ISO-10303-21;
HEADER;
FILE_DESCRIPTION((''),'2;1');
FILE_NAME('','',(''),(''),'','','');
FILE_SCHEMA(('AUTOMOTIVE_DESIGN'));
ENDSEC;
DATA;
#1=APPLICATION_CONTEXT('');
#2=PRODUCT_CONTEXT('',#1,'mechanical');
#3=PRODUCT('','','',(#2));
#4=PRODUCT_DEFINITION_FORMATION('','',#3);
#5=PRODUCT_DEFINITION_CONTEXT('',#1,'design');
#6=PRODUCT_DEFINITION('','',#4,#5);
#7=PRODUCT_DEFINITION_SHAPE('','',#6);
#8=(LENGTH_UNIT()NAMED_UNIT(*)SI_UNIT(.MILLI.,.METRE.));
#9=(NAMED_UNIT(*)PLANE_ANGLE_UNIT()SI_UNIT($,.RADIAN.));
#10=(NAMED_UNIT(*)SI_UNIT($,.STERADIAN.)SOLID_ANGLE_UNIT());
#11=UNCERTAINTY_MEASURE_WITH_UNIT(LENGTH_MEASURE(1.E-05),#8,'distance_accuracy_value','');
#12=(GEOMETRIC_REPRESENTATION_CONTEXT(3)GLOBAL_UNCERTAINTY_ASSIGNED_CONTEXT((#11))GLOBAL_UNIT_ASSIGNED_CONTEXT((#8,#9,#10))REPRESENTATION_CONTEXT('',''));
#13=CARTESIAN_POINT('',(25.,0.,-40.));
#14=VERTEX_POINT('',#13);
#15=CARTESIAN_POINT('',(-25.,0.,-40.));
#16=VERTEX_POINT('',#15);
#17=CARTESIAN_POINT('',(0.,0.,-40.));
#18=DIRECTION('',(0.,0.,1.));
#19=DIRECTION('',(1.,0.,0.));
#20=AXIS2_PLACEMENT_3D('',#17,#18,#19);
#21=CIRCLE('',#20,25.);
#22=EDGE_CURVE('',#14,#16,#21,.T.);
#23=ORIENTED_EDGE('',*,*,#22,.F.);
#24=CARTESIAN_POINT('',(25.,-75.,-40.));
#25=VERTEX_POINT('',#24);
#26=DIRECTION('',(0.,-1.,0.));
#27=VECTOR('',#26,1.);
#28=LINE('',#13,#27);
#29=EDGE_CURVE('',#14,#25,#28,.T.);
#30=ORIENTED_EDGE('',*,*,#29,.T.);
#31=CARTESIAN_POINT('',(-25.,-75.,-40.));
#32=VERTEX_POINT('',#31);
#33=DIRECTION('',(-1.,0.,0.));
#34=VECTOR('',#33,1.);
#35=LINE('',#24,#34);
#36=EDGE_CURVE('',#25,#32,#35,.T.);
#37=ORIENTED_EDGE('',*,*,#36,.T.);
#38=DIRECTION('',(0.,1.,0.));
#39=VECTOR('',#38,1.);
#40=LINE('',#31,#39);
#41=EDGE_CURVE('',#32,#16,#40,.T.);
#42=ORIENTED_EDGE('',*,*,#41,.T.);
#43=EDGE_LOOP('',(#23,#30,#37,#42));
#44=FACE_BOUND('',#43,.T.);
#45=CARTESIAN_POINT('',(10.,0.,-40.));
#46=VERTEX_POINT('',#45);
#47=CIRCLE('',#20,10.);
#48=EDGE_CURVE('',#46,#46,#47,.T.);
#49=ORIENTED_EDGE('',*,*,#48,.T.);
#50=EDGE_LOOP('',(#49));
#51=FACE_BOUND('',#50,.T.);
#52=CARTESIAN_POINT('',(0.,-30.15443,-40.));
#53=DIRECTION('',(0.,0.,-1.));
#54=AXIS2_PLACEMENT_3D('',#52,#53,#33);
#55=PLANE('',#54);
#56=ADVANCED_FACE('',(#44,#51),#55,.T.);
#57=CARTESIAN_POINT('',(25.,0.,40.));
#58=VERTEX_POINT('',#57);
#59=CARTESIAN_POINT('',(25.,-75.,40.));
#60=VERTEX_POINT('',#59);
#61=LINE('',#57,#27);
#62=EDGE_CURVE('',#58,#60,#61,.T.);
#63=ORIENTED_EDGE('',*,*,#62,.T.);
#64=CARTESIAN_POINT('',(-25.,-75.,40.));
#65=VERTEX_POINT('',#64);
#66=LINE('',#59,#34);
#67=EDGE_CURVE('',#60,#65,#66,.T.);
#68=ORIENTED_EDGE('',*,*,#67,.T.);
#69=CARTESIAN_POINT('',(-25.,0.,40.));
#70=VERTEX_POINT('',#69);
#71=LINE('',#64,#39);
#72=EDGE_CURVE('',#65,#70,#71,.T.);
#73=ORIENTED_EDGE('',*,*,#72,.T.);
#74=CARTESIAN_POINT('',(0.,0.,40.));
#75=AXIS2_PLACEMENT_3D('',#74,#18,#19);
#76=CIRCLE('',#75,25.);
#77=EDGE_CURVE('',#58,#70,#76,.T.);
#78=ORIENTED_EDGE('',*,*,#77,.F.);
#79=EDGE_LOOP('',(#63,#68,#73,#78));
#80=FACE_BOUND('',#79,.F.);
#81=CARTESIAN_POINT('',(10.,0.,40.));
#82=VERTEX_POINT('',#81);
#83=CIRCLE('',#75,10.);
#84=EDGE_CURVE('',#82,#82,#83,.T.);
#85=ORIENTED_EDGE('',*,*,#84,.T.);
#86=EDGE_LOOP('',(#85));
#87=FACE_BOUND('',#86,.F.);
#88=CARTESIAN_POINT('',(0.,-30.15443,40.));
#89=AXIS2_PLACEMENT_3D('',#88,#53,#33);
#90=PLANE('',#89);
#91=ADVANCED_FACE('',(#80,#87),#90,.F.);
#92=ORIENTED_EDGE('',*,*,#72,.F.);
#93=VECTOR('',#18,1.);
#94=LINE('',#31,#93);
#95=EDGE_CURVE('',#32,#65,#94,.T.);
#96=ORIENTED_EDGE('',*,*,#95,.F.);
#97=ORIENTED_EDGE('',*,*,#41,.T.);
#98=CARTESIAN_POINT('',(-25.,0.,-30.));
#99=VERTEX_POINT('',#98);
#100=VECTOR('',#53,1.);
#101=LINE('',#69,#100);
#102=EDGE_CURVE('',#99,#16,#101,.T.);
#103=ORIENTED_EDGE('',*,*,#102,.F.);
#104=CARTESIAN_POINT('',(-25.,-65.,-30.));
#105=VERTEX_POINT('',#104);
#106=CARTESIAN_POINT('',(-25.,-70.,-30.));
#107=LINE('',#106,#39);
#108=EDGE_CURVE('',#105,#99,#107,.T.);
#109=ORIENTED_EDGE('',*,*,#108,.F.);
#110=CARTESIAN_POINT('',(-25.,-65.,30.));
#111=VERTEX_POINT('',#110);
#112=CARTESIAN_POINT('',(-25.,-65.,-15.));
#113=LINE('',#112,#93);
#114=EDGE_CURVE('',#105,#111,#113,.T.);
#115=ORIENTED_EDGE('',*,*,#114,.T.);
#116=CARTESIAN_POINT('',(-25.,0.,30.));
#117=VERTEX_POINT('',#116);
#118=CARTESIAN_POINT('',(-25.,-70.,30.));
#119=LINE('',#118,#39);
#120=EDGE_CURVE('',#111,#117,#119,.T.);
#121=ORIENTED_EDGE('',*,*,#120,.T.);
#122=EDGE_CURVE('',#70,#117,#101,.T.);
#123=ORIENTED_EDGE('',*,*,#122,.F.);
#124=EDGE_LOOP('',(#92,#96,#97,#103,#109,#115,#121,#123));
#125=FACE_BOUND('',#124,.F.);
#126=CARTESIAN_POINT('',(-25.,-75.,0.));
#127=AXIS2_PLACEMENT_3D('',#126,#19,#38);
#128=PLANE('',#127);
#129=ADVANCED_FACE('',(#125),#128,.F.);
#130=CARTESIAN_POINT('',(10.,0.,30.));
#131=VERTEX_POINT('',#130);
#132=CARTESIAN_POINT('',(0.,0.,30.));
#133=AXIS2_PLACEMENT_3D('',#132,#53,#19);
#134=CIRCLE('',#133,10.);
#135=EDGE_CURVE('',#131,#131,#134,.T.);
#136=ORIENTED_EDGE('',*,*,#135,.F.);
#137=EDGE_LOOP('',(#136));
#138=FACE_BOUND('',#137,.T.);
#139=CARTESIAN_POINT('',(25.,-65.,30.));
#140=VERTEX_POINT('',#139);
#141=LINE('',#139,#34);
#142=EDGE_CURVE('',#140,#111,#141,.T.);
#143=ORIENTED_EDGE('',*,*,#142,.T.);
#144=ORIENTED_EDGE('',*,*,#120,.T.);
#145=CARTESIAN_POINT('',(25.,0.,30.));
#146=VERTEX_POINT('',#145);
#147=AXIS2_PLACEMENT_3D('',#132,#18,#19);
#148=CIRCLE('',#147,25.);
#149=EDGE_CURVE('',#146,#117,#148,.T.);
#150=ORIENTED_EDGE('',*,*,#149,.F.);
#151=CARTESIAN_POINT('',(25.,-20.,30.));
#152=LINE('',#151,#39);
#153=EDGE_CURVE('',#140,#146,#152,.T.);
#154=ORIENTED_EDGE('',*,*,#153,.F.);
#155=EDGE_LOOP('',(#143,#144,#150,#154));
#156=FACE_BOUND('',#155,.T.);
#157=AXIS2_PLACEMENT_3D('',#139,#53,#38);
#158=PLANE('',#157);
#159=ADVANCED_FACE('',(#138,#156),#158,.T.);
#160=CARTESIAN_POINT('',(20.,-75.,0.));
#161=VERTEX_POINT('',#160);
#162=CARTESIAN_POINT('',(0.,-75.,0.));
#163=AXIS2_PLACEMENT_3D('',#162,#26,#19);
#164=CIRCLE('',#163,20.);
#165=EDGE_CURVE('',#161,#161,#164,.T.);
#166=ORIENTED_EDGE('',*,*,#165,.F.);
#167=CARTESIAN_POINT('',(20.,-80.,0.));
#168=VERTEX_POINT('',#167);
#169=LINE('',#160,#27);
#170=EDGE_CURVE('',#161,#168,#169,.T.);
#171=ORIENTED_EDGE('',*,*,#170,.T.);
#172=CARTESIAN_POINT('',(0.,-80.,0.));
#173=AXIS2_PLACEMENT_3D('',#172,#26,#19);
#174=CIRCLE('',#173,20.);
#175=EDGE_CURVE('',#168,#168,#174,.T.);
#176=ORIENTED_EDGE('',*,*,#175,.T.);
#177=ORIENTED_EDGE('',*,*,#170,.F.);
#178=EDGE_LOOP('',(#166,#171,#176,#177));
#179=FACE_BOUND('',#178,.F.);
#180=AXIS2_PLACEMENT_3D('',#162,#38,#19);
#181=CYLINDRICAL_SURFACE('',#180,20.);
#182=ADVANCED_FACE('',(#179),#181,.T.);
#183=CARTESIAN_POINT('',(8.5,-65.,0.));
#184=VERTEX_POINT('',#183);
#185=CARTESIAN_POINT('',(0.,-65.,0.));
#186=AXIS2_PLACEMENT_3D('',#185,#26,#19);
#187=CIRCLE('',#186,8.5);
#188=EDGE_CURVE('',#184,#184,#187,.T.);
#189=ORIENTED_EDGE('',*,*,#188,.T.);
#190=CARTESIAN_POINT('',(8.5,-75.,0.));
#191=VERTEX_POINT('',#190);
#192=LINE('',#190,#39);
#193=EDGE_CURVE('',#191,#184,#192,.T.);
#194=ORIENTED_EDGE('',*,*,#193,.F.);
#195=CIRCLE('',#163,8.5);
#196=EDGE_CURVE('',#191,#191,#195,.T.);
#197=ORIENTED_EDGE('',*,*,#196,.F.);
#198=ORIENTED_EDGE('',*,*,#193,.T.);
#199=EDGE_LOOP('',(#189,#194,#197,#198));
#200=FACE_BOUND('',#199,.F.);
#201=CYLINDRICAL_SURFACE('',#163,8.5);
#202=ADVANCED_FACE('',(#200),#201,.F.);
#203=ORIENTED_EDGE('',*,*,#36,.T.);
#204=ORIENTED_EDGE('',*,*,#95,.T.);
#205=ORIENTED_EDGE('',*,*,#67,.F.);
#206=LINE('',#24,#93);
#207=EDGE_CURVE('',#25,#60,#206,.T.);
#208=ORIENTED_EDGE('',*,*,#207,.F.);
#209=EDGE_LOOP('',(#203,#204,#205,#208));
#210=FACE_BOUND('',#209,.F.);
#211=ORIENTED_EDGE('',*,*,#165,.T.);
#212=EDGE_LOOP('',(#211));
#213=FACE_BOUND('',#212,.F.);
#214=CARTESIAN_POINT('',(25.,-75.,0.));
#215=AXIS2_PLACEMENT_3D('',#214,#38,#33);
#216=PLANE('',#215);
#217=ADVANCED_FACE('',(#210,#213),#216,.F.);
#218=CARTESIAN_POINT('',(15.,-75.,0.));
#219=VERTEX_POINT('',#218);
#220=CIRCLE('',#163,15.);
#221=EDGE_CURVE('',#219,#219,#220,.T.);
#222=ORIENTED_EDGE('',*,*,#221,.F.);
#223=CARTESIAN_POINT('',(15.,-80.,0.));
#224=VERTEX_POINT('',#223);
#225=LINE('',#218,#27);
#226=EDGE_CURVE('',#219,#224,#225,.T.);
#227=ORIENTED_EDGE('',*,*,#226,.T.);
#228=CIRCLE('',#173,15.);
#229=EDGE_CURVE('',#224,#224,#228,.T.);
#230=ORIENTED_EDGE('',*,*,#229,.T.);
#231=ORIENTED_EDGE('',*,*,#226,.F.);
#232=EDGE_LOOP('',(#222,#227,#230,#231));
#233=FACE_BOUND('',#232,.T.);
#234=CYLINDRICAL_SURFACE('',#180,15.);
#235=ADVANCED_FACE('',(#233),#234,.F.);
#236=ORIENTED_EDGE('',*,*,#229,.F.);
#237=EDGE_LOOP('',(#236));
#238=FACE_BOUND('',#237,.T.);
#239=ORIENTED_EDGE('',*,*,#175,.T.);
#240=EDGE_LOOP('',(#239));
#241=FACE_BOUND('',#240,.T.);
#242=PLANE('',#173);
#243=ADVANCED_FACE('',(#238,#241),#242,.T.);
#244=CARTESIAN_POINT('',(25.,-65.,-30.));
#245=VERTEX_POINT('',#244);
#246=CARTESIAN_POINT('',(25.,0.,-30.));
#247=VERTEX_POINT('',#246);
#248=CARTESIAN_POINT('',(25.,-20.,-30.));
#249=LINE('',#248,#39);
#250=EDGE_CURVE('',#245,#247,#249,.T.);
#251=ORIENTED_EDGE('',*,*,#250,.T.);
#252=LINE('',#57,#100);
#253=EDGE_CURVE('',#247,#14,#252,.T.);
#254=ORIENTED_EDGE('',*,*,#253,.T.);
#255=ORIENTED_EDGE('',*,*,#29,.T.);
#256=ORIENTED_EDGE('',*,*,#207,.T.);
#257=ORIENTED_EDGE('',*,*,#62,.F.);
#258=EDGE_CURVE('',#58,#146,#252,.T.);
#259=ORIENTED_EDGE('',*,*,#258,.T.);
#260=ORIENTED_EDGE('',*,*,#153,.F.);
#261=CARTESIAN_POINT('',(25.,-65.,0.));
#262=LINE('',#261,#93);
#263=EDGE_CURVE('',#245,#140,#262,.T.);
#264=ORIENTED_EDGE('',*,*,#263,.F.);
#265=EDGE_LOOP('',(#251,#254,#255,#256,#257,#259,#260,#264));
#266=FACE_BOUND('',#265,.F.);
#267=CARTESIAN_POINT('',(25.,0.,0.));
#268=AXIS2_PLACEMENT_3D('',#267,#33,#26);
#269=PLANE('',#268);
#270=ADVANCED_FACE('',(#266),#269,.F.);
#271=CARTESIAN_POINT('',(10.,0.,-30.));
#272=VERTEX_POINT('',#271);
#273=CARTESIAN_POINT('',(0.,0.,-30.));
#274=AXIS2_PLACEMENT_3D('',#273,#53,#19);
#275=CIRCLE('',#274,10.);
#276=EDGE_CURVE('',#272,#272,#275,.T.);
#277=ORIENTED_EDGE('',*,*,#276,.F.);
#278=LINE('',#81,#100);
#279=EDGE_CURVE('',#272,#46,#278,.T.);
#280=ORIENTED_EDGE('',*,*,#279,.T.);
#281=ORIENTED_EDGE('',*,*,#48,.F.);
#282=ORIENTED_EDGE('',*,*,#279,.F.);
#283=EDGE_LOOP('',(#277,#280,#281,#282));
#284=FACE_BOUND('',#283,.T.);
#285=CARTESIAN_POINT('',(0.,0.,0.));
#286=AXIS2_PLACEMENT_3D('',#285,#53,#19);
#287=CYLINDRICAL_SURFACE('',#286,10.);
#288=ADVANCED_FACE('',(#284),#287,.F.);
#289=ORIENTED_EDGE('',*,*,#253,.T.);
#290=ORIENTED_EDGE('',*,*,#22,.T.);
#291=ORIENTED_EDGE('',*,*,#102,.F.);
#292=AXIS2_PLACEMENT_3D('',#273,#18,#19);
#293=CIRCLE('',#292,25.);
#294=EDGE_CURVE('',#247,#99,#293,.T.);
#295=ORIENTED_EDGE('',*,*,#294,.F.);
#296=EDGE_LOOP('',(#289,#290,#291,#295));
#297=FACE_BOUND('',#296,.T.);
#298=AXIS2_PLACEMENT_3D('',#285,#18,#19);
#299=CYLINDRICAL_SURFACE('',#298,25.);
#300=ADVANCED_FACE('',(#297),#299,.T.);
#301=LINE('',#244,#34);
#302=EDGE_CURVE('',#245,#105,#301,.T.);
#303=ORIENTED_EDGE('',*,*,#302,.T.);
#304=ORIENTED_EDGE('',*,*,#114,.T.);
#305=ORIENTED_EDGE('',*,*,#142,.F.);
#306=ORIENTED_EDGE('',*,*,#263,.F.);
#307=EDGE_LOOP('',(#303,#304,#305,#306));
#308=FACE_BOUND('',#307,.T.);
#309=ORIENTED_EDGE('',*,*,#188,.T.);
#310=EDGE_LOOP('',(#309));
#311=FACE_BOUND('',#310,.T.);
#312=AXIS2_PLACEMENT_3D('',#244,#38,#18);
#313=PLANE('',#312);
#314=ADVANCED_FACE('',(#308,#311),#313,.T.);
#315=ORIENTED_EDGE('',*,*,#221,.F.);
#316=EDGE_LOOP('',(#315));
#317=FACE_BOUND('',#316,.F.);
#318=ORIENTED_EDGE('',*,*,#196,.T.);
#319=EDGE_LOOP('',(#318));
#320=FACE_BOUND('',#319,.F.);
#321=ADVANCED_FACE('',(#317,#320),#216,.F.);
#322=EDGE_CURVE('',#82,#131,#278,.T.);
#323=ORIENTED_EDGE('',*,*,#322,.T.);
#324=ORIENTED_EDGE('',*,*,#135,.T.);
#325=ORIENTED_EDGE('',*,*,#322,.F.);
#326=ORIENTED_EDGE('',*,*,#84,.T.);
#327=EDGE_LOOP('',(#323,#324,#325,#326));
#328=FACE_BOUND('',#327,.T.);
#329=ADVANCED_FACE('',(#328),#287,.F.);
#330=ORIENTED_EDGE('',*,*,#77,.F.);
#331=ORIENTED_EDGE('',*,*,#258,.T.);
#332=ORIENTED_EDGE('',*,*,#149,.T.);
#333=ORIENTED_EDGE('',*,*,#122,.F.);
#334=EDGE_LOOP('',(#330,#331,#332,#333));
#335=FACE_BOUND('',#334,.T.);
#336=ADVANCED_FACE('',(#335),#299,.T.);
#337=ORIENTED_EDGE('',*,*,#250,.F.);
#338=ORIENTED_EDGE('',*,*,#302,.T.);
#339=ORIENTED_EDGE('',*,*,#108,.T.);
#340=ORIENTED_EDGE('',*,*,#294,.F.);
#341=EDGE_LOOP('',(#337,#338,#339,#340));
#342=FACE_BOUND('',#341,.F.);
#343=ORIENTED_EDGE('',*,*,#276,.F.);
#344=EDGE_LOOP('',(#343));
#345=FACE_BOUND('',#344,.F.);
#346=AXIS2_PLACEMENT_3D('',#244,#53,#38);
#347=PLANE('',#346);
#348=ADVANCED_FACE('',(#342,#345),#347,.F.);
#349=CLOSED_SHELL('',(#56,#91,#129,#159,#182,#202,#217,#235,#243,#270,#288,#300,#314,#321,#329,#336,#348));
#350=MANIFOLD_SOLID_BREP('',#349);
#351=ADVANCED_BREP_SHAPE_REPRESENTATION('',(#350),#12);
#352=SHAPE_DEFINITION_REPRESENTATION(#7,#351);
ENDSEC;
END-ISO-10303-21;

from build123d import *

# Parameters (mm, degrees)
SKETCH_R        = 10
PAD_DEPTH       = 40
SKETCH002_W     = 90
SKETCH002_H     = 60
POCKET_DEPTH    = 50.001
SKETCH003_R     = 20
SKETCH003_R_2   = 15
PAD001_DEPTH    = 5
SKETCH004_R     = 8.5
POCKET001_DEPTH = 100.001


with BuildPart() as part:
    # Sketch → Pad (new body, symmetric)
    with BuildSketch(Plane.XY):
        with BuildLine():
            Line((-25, -75), (-25, 0))
            ThreePointArc((25, 0), (0, 25), (-25, 0))
            Line((25, 0), (25, -75))
            Line((25, -75), (-25, -75))
        make_face()
        Circle(SKETCH_R, mode=Mode.SUBTRACT)
    extrude(amount=PAD_DEPTH, both=True)

    # Sketch002 (on Face3 of Pad) → Pocket (cut, through all)
    with BuildSketch(Plane.YZ.offset(25)):
        with Locations((-20, 0)):
            Rectangle(SKETCH002_W, SKETCH002_H)
    extrude(amount=-POCKET_DEPTH, mode=Mode.SUBTRACT)

    # Sketch003 (on Face9 of Pocket) → Pad001 (join)
    with BuildSketch(Plane.XZ.offset(75)):
        Circle(SKETCH003_R)
        Circle(SKETCH003_R_2, mode=Mode.SUBTRACT)
    extrude(amount=PAD001_DEPTH)

    # Sketch004 (on Face16 of Pad001) → Pocket001 (cut, through all)
    with BuildSketch(Plane.XZ.offset(75)):
        Circle(SKETCH004_R)
    extrude(amount=-POCKET001_DEPTH, mode=Mode.SUBTRACT)


solid = part.part
